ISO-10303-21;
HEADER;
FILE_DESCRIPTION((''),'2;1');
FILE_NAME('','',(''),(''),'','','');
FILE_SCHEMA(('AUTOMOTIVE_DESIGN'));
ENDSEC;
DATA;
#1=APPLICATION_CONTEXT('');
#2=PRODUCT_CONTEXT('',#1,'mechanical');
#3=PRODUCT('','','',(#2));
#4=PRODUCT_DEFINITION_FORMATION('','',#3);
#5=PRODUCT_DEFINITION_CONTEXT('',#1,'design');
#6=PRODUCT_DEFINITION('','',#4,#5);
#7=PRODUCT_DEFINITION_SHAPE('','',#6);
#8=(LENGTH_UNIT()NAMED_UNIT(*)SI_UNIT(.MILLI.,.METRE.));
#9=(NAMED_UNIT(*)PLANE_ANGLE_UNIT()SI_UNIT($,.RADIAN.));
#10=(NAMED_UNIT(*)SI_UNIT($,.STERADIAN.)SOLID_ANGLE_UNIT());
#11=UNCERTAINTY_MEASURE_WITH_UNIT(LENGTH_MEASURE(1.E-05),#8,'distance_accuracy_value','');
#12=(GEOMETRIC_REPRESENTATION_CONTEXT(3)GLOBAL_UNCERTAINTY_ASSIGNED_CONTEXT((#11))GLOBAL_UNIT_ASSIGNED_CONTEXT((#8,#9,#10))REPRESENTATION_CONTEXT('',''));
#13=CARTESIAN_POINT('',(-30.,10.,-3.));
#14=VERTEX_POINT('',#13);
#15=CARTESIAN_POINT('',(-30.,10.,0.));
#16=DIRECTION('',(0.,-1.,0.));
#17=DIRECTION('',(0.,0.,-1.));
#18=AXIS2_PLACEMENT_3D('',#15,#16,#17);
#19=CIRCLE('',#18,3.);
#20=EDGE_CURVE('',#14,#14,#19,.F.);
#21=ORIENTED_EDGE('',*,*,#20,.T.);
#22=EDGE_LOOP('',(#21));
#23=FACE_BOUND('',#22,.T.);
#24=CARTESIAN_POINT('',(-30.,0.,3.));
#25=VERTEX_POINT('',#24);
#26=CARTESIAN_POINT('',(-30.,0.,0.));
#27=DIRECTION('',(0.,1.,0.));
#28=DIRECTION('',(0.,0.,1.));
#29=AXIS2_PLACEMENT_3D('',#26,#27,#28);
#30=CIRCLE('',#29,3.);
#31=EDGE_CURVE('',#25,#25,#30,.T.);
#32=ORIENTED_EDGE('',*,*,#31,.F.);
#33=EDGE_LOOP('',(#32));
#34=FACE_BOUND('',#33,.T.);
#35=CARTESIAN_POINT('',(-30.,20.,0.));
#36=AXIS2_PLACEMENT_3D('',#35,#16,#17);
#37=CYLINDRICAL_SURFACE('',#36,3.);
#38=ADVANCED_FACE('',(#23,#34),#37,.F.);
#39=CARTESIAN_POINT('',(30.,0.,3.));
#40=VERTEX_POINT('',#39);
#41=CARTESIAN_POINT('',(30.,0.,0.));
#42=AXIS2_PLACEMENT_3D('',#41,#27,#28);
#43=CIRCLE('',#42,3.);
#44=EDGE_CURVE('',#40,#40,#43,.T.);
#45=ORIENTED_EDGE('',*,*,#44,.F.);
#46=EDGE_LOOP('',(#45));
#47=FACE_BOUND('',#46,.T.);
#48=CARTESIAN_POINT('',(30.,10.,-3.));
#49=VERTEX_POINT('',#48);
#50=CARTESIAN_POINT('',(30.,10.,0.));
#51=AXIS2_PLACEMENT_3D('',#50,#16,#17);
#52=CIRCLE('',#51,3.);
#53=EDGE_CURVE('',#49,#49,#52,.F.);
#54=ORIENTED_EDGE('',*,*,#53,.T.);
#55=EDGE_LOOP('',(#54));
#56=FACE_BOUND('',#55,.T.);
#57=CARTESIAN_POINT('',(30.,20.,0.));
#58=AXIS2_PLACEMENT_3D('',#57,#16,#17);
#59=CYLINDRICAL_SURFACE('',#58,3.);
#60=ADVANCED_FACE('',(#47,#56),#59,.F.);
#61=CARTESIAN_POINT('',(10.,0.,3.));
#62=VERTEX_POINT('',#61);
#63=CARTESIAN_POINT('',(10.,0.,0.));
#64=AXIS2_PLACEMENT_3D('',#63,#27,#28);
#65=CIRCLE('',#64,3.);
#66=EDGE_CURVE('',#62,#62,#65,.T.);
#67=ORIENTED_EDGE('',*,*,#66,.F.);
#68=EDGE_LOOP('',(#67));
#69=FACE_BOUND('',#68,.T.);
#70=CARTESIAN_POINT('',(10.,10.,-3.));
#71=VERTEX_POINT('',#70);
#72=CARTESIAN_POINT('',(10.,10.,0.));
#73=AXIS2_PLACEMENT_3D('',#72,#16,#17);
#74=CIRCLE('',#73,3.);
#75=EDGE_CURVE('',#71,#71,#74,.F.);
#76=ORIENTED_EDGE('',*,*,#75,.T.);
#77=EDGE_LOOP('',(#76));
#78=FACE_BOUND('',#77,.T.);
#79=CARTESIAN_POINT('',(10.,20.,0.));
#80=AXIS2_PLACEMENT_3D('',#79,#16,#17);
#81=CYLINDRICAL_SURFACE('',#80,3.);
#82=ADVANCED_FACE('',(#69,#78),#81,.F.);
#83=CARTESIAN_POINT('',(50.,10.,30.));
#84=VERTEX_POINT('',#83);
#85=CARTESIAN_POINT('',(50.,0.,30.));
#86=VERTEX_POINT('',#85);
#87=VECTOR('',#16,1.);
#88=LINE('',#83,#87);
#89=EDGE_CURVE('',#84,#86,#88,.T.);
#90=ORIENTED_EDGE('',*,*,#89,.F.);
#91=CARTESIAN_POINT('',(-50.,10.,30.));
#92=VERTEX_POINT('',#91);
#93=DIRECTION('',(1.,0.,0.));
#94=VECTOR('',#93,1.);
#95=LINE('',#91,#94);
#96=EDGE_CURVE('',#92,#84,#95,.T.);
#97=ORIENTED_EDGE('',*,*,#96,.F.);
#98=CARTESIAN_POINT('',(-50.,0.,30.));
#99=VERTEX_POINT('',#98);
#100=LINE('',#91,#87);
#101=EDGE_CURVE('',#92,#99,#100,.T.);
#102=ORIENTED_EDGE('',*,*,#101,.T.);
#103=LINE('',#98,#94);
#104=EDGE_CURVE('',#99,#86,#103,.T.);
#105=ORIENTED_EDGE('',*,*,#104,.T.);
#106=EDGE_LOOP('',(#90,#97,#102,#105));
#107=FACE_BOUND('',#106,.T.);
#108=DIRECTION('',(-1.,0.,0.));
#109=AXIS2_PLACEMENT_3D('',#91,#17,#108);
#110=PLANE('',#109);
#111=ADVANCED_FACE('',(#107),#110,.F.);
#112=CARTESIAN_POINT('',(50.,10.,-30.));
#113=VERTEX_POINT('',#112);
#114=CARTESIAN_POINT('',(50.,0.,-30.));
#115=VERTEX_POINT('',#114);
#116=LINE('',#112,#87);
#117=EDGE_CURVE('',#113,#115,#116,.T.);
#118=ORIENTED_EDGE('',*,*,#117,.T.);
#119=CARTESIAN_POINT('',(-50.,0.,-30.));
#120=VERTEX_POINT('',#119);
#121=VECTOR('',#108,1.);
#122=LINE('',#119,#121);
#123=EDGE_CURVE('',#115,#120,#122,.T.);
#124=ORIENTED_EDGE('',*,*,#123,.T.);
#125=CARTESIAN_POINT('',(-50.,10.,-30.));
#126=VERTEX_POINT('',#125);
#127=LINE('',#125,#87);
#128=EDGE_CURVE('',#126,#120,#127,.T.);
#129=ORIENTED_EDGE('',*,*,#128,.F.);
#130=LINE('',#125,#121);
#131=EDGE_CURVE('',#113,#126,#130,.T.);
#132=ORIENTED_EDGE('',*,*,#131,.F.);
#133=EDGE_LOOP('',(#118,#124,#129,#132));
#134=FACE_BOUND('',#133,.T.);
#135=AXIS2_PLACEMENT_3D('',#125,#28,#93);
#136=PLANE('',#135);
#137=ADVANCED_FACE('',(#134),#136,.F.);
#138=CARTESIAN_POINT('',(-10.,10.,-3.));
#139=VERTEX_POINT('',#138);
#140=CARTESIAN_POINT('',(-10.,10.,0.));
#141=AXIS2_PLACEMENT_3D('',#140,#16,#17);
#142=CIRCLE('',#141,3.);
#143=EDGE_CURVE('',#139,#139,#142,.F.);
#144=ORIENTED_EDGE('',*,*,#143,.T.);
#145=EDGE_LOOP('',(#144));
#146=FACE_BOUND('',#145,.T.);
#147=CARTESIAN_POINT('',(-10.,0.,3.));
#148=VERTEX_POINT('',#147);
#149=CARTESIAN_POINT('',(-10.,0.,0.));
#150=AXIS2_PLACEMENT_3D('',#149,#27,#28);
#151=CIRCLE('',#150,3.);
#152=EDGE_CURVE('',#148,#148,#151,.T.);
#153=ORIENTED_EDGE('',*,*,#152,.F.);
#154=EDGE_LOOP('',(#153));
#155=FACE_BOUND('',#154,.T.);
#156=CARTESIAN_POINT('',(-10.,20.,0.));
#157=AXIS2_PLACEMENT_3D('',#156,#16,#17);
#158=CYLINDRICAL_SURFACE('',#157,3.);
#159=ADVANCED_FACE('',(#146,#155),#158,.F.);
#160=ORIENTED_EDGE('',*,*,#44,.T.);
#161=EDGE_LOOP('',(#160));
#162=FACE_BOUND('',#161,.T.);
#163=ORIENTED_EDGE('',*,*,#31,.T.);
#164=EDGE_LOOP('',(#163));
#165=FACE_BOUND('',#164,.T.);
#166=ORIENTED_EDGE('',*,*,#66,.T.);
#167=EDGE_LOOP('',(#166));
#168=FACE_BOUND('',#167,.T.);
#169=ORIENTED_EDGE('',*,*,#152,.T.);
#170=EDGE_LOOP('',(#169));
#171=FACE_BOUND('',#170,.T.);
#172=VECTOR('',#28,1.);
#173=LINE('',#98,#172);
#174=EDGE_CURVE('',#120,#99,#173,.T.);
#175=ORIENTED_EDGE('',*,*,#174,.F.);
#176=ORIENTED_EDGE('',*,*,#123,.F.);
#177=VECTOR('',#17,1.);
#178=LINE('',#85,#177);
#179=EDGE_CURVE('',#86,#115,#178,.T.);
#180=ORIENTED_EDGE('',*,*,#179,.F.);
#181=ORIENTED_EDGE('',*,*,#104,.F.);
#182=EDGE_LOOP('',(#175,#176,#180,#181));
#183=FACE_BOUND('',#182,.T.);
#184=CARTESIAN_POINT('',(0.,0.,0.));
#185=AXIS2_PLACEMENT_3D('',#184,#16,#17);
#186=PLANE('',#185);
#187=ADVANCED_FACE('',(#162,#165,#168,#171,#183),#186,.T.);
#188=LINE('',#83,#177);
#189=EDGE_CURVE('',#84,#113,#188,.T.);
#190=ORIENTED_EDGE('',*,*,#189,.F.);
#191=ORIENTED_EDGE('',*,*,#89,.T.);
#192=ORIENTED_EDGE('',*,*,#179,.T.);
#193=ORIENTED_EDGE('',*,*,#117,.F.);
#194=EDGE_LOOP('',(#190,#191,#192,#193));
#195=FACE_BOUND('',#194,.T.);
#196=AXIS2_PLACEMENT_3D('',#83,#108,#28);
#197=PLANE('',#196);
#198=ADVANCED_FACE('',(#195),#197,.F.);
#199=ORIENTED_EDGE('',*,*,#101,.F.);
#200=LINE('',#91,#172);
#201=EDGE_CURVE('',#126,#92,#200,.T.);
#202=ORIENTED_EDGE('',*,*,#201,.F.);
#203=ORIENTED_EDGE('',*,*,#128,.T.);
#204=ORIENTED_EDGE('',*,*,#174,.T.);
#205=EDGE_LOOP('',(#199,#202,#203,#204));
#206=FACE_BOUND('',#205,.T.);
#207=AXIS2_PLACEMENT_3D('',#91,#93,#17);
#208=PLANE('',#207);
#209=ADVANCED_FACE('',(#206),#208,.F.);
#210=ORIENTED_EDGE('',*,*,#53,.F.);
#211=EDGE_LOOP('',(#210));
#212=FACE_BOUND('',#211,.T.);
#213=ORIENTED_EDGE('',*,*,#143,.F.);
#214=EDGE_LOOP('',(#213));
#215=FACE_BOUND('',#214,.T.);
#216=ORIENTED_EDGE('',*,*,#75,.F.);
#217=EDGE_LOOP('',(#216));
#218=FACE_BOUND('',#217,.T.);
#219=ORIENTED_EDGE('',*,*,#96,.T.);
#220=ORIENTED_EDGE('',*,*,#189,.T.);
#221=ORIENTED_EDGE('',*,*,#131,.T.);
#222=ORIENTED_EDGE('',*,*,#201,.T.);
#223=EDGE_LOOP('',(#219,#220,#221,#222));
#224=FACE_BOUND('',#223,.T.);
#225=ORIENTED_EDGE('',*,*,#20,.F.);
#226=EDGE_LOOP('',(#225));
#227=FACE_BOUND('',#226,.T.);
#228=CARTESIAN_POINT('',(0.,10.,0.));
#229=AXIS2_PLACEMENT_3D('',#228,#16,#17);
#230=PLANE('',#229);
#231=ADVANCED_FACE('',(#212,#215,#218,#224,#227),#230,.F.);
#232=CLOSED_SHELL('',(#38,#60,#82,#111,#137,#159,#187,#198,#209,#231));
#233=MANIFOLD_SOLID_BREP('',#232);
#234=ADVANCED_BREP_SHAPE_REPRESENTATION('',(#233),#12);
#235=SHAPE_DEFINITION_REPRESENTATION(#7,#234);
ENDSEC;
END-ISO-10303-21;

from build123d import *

# Parameters (mm, degrees)
SKETCH_1_W             = 100
SKETCH_1_H             = 60
EXTRUDE_1_DEPTH        = 10
SKETCH_2_R             = 3
CUT_EXTRUDE_1_DEPTH    = 20
PATTERN_LINEAR_1_COUNT = 4
PATTERN_LINEAR_1_PITCH = 20


with BuildPart() as part:
    # 草图1 → 凸台-拉伸1 (new body)
    with BuildSketch(Plane(origin=(0, 0, 0), x_dir=(1, 0, 0), z_dir=(0, 1, 0))):
        Rectangle(SKETCH_1_W, SKETCH_1_H)
    extrude(amount=EXTRUDE_1_DEPTH)

    # 草图2 → 切除-拉伸1 (cut)
    with BuildSketch(Plane(origin=(0, 0, 0), x_dir=(1, 0, 0), z_dir=(0, 1, 0))):
        with Locations(Location((-30, 0, 0), (0, 0, 90))):
            Circle(SKETCH_2_R)
    cut_extrude_1 = extrude(amount=CUT_EXTRUDE_1_DEPTH, mode=Mode.SUBTRACT)

    # 阵列(线性)1: 切除-拉伸1 ×4
    with Locations(*[(i * PATTERN_LINEAR_1_PITCH, 0, 0) for i in range(1, PATTERN_LINEAR_1_COUNT)]):
        add(cut_extrude_1, mode=Mode.SUBTRACT)


solid = part.part
